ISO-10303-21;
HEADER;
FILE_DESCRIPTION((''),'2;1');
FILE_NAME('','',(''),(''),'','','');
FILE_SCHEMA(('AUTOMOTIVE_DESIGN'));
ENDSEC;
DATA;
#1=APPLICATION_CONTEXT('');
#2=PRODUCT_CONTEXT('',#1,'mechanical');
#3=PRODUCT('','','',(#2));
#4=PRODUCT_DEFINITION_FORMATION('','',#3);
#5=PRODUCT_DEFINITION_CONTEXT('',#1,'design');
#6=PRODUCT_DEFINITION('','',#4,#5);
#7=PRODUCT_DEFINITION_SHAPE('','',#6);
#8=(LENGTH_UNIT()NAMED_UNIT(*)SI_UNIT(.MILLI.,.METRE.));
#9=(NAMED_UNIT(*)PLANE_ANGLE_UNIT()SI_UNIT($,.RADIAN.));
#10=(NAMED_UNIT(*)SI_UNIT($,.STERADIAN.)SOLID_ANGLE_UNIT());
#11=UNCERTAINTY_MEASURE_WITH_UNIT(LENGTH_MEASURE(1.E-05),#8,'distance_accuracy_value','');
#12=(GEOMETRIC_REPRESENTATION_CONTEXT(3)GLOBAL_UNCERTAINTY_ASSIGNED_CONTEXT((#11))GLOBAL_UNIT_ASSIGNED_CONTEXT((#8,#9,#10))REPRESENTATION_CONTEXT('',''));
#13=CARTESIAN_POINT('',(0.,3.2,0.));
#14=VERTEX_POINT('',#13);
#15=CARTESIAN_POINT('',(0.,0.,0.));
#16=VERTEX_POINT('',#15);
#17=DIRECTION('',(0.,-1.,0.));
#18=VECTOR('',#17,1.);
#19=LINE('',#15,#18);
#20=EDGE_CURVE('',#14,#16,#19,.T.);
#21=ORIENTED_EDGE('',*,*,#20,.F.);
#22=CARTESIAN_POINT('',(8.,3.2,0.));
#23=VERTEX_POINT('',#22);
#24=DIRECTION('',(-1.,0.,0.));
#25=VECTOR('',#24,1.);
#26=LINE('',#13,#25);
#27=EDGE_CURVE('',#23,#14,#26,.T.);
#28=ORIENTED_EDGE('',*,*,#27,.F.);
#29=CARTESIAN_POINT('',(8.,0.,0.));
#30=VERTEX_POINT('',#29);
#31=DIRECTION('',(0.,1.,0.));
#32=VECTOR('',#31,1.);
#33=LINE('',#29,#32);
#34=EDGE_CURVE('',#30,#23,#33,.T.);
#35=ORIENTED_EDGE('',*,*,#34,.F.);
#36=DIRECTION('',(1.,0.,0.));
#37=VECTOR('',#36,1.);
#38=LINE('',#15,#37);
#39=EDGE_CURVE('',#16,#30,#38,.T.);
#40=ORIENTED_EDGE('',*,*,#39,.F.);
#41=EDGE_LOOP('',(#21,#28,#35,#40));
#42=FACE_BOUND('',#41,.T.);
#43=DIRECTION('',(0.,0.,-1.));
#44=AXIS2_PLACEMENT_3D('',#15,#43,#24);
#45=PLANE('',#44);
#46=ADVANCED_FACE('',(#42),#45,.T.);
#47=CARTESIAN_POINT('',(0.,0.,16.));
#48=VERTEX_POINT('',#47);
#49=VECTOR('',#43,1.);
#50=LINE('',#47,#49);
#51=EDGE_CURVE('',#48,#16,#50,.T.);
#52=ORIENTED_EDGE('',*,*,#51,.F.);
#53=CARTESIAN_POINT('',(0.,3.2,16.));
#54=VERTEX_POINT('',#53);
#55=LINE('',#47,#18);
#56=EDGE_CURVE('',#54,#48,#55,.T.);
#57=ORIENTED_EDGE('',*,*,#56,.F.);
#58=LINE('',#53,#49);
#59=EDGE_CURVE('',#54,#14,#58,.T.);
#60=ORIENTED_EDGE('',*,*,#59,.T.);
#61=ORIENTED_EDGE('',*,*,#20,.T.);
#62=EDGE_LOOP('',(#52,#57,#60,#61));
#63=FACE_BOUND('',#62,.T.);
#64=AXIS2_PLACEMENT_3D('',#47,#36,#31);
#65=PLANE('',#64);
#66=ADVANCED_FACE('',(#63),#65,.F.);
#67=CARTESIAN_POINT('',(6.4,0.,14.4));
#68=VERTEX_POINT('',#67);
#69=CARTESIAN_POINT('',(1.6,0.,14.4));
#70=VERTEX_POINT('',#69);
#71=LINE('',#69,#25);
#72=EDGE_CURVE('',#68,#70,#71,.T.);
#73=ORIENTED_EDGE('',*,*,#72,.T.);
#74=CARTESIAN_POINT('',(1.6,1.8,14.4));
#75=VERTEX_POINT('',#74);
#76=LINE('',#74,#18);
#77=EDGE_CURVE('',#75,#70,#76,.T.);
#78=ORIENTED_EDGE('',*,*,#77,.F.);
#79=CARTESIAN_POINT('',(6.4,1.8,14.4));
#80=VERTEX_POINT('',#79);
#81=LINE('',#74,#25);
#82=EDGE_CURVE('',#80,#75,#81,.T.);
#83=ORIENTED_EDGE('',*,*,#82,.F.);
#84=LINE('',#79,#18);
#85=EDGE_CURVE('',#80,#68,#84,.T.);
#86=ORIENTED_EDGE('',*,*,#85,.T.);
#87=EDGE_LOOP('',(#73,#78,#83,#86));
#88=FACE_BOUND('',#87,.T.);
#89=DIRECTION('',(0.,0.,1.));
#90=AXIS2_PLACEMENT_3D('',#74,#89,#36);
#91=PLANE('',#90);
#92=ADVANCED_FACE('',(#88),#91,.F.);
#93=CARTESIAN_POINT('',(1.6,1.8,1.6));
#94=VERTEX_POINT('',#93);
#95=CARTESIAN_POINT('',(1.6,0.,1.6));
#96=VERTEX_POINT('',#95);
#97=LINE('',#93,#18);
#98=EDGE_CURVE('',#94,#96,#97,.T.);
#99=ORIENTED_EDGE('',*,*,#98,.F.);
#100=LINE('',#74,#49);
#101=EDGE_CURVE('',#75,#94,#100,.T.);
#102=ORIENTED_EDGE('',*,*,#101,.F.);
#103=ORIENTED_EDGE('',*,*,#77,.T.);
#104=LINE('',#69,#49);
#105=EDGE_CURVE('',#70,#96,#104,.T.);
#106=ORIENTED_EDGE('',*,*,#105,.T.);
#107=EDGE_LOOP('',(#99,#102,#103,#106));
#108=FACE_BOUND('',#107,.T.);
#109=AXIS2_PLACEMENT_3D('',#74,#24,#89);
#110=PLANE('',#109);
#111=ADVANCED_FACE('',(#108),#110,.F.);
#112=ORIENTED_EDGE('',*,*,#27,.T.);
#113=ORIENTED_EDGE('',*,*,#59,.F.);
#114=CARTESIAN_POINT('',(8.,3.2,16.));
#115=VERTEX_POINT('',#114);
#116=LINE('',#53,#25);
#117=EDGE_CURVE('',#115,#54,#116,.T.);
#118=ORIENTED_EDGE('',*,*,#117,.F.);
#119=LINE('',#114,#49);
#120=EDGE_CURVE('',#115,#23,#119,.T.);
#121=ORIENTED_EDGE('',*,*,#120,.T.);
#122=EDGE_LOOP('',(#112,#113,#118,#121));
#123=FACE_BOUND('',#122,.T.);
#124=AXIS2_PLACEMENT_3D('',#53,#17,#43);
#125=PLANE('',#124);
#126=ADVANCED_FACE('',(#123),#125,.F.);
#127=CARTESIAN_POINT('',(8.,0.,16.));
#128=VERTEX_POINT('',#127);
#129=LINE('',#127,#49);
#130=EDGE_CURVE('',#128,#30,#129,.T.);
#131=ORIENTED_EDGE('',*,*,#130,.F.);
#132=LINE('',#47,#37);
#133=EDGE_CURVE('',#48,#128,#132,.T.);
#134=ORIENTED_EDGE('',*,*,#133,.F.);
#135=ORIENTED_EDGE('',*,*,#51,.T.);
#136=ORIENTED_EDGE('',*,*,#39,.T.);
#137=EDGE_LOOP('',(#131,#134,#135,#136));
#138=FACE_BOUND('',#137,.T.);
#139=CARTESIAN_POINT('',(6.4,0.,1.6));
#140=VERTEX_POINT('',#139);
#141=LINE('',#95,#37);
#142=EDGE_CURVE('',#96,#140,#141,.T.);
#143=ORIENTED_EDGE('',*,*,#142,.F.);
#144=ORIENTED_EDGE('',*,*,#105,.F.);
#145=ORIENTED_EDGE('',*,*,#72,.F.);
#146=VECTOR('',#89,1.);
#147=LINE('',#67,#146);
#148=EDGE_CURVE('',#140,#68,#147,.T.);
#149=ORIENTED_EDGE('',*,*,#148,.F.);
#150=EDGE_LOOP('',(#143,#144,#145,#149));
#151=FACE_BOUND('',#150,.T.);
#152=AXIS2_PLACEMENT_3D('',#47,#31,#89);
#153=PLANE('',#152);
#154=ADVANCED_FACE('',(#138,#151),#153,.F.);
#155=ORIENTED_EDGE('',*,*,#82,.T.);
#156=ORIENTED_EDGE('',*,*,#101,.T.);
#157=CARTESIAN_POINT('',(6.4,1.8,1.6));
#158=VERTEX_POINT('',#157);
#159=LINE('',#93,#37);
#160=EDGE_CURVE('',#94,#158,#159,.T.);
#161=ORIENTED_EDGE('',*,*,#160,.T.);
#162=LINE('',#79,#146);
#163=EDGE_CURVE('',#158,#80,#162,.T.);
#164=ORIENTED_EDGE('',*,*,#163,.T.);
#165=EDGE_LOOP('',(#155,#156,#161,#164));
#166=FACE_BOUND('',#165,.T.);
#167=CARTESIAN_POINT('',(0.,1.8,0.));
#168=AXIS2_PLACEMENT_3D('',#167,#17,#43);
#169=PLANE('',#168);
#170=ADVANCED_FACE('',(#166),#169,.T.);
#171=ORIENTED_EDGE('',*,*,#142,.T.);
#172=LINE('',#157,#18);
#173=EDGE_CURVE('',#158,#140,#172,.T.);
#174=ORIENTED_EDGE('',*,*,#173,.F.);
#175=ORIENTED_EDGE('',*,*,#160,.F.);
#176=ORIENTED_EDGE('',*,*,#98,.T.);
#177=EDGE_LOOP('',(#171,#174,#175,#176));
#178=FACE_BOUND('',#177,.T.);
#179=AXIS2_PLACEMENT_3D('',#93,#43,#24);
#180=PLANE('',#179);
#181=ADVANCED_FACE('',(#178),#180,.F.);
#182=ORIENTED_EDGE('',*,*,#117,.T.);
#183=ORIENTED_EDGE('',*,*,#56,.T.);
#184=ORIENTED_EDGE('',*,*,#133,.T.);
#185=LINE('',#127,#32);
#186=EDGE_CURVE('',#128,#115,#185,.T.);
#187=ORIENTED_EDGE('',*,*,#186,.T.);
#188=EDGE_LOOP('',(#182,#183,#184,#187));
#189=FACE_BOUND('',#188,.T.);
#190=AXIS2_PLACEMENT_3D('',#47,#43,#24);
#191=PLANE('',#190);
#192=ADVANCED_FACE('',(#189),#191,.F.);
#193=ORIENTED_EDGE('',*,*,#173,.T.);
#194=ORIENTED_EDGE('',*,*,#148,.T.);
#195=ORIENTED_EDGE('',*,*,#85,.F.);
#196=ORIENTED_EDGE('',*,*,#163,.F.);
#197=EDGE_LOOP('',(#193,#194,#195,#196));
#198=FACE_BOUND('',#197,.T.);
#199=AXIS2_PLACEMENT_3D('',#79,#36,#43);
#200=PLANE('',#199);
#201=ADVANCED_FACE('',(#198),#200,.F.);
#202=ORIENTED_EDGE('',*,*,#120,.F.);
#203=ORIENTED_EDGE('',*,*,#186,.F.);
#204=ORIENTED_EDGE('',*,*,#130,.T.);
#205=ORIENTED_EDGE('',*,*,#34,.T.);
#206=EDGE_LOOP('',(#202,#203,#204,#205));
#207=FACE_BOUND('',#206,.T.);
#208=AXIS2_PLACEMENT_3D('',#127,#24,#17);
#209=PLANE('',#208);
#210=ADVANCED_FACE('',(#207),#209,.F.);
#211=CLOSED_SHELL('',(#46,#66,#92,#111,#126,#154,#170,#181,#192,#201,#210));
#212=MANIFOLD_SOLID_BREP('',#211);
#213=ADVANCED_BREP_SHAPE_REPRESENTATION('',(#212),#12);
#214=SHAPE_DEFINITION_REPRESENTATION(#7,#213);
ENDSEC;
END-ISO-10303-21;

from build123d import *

# Parameters (mm, degrees)
SKETCH1_W           = 8
SKETCH1_H           = 3.2
BOSS_EXTRUDE1_DEPTH = 16
SKETCH2_W           = 4.8
SKETCH2_H           = 12.8
CUT_EXTRUDE1_DEPTH  = 1.8


with BuildPart() as part:
    # Sketch1 → Boss-Extrude1 (new body)
    with BuildSketch(Plane.XY):
        with Locations((4, 1.6)):
            Rectangle(SKETCH1_W, SKETCH1_H)
    extrude(amount=BOSS_EXTRUDE1_DEPTH)

    # Sketch2 → Cut-Extrude1 (cut)
    with BuildSketch(Plane.XZ):
        with Locations((4, 8)):
            Rectangle(SKETCH2_W, SKETCH2_H)
    extrude(amount=-CUT_EXTRUDE1_DEPTH, mode=Mode.SUBTRACT)


solid = part.part
